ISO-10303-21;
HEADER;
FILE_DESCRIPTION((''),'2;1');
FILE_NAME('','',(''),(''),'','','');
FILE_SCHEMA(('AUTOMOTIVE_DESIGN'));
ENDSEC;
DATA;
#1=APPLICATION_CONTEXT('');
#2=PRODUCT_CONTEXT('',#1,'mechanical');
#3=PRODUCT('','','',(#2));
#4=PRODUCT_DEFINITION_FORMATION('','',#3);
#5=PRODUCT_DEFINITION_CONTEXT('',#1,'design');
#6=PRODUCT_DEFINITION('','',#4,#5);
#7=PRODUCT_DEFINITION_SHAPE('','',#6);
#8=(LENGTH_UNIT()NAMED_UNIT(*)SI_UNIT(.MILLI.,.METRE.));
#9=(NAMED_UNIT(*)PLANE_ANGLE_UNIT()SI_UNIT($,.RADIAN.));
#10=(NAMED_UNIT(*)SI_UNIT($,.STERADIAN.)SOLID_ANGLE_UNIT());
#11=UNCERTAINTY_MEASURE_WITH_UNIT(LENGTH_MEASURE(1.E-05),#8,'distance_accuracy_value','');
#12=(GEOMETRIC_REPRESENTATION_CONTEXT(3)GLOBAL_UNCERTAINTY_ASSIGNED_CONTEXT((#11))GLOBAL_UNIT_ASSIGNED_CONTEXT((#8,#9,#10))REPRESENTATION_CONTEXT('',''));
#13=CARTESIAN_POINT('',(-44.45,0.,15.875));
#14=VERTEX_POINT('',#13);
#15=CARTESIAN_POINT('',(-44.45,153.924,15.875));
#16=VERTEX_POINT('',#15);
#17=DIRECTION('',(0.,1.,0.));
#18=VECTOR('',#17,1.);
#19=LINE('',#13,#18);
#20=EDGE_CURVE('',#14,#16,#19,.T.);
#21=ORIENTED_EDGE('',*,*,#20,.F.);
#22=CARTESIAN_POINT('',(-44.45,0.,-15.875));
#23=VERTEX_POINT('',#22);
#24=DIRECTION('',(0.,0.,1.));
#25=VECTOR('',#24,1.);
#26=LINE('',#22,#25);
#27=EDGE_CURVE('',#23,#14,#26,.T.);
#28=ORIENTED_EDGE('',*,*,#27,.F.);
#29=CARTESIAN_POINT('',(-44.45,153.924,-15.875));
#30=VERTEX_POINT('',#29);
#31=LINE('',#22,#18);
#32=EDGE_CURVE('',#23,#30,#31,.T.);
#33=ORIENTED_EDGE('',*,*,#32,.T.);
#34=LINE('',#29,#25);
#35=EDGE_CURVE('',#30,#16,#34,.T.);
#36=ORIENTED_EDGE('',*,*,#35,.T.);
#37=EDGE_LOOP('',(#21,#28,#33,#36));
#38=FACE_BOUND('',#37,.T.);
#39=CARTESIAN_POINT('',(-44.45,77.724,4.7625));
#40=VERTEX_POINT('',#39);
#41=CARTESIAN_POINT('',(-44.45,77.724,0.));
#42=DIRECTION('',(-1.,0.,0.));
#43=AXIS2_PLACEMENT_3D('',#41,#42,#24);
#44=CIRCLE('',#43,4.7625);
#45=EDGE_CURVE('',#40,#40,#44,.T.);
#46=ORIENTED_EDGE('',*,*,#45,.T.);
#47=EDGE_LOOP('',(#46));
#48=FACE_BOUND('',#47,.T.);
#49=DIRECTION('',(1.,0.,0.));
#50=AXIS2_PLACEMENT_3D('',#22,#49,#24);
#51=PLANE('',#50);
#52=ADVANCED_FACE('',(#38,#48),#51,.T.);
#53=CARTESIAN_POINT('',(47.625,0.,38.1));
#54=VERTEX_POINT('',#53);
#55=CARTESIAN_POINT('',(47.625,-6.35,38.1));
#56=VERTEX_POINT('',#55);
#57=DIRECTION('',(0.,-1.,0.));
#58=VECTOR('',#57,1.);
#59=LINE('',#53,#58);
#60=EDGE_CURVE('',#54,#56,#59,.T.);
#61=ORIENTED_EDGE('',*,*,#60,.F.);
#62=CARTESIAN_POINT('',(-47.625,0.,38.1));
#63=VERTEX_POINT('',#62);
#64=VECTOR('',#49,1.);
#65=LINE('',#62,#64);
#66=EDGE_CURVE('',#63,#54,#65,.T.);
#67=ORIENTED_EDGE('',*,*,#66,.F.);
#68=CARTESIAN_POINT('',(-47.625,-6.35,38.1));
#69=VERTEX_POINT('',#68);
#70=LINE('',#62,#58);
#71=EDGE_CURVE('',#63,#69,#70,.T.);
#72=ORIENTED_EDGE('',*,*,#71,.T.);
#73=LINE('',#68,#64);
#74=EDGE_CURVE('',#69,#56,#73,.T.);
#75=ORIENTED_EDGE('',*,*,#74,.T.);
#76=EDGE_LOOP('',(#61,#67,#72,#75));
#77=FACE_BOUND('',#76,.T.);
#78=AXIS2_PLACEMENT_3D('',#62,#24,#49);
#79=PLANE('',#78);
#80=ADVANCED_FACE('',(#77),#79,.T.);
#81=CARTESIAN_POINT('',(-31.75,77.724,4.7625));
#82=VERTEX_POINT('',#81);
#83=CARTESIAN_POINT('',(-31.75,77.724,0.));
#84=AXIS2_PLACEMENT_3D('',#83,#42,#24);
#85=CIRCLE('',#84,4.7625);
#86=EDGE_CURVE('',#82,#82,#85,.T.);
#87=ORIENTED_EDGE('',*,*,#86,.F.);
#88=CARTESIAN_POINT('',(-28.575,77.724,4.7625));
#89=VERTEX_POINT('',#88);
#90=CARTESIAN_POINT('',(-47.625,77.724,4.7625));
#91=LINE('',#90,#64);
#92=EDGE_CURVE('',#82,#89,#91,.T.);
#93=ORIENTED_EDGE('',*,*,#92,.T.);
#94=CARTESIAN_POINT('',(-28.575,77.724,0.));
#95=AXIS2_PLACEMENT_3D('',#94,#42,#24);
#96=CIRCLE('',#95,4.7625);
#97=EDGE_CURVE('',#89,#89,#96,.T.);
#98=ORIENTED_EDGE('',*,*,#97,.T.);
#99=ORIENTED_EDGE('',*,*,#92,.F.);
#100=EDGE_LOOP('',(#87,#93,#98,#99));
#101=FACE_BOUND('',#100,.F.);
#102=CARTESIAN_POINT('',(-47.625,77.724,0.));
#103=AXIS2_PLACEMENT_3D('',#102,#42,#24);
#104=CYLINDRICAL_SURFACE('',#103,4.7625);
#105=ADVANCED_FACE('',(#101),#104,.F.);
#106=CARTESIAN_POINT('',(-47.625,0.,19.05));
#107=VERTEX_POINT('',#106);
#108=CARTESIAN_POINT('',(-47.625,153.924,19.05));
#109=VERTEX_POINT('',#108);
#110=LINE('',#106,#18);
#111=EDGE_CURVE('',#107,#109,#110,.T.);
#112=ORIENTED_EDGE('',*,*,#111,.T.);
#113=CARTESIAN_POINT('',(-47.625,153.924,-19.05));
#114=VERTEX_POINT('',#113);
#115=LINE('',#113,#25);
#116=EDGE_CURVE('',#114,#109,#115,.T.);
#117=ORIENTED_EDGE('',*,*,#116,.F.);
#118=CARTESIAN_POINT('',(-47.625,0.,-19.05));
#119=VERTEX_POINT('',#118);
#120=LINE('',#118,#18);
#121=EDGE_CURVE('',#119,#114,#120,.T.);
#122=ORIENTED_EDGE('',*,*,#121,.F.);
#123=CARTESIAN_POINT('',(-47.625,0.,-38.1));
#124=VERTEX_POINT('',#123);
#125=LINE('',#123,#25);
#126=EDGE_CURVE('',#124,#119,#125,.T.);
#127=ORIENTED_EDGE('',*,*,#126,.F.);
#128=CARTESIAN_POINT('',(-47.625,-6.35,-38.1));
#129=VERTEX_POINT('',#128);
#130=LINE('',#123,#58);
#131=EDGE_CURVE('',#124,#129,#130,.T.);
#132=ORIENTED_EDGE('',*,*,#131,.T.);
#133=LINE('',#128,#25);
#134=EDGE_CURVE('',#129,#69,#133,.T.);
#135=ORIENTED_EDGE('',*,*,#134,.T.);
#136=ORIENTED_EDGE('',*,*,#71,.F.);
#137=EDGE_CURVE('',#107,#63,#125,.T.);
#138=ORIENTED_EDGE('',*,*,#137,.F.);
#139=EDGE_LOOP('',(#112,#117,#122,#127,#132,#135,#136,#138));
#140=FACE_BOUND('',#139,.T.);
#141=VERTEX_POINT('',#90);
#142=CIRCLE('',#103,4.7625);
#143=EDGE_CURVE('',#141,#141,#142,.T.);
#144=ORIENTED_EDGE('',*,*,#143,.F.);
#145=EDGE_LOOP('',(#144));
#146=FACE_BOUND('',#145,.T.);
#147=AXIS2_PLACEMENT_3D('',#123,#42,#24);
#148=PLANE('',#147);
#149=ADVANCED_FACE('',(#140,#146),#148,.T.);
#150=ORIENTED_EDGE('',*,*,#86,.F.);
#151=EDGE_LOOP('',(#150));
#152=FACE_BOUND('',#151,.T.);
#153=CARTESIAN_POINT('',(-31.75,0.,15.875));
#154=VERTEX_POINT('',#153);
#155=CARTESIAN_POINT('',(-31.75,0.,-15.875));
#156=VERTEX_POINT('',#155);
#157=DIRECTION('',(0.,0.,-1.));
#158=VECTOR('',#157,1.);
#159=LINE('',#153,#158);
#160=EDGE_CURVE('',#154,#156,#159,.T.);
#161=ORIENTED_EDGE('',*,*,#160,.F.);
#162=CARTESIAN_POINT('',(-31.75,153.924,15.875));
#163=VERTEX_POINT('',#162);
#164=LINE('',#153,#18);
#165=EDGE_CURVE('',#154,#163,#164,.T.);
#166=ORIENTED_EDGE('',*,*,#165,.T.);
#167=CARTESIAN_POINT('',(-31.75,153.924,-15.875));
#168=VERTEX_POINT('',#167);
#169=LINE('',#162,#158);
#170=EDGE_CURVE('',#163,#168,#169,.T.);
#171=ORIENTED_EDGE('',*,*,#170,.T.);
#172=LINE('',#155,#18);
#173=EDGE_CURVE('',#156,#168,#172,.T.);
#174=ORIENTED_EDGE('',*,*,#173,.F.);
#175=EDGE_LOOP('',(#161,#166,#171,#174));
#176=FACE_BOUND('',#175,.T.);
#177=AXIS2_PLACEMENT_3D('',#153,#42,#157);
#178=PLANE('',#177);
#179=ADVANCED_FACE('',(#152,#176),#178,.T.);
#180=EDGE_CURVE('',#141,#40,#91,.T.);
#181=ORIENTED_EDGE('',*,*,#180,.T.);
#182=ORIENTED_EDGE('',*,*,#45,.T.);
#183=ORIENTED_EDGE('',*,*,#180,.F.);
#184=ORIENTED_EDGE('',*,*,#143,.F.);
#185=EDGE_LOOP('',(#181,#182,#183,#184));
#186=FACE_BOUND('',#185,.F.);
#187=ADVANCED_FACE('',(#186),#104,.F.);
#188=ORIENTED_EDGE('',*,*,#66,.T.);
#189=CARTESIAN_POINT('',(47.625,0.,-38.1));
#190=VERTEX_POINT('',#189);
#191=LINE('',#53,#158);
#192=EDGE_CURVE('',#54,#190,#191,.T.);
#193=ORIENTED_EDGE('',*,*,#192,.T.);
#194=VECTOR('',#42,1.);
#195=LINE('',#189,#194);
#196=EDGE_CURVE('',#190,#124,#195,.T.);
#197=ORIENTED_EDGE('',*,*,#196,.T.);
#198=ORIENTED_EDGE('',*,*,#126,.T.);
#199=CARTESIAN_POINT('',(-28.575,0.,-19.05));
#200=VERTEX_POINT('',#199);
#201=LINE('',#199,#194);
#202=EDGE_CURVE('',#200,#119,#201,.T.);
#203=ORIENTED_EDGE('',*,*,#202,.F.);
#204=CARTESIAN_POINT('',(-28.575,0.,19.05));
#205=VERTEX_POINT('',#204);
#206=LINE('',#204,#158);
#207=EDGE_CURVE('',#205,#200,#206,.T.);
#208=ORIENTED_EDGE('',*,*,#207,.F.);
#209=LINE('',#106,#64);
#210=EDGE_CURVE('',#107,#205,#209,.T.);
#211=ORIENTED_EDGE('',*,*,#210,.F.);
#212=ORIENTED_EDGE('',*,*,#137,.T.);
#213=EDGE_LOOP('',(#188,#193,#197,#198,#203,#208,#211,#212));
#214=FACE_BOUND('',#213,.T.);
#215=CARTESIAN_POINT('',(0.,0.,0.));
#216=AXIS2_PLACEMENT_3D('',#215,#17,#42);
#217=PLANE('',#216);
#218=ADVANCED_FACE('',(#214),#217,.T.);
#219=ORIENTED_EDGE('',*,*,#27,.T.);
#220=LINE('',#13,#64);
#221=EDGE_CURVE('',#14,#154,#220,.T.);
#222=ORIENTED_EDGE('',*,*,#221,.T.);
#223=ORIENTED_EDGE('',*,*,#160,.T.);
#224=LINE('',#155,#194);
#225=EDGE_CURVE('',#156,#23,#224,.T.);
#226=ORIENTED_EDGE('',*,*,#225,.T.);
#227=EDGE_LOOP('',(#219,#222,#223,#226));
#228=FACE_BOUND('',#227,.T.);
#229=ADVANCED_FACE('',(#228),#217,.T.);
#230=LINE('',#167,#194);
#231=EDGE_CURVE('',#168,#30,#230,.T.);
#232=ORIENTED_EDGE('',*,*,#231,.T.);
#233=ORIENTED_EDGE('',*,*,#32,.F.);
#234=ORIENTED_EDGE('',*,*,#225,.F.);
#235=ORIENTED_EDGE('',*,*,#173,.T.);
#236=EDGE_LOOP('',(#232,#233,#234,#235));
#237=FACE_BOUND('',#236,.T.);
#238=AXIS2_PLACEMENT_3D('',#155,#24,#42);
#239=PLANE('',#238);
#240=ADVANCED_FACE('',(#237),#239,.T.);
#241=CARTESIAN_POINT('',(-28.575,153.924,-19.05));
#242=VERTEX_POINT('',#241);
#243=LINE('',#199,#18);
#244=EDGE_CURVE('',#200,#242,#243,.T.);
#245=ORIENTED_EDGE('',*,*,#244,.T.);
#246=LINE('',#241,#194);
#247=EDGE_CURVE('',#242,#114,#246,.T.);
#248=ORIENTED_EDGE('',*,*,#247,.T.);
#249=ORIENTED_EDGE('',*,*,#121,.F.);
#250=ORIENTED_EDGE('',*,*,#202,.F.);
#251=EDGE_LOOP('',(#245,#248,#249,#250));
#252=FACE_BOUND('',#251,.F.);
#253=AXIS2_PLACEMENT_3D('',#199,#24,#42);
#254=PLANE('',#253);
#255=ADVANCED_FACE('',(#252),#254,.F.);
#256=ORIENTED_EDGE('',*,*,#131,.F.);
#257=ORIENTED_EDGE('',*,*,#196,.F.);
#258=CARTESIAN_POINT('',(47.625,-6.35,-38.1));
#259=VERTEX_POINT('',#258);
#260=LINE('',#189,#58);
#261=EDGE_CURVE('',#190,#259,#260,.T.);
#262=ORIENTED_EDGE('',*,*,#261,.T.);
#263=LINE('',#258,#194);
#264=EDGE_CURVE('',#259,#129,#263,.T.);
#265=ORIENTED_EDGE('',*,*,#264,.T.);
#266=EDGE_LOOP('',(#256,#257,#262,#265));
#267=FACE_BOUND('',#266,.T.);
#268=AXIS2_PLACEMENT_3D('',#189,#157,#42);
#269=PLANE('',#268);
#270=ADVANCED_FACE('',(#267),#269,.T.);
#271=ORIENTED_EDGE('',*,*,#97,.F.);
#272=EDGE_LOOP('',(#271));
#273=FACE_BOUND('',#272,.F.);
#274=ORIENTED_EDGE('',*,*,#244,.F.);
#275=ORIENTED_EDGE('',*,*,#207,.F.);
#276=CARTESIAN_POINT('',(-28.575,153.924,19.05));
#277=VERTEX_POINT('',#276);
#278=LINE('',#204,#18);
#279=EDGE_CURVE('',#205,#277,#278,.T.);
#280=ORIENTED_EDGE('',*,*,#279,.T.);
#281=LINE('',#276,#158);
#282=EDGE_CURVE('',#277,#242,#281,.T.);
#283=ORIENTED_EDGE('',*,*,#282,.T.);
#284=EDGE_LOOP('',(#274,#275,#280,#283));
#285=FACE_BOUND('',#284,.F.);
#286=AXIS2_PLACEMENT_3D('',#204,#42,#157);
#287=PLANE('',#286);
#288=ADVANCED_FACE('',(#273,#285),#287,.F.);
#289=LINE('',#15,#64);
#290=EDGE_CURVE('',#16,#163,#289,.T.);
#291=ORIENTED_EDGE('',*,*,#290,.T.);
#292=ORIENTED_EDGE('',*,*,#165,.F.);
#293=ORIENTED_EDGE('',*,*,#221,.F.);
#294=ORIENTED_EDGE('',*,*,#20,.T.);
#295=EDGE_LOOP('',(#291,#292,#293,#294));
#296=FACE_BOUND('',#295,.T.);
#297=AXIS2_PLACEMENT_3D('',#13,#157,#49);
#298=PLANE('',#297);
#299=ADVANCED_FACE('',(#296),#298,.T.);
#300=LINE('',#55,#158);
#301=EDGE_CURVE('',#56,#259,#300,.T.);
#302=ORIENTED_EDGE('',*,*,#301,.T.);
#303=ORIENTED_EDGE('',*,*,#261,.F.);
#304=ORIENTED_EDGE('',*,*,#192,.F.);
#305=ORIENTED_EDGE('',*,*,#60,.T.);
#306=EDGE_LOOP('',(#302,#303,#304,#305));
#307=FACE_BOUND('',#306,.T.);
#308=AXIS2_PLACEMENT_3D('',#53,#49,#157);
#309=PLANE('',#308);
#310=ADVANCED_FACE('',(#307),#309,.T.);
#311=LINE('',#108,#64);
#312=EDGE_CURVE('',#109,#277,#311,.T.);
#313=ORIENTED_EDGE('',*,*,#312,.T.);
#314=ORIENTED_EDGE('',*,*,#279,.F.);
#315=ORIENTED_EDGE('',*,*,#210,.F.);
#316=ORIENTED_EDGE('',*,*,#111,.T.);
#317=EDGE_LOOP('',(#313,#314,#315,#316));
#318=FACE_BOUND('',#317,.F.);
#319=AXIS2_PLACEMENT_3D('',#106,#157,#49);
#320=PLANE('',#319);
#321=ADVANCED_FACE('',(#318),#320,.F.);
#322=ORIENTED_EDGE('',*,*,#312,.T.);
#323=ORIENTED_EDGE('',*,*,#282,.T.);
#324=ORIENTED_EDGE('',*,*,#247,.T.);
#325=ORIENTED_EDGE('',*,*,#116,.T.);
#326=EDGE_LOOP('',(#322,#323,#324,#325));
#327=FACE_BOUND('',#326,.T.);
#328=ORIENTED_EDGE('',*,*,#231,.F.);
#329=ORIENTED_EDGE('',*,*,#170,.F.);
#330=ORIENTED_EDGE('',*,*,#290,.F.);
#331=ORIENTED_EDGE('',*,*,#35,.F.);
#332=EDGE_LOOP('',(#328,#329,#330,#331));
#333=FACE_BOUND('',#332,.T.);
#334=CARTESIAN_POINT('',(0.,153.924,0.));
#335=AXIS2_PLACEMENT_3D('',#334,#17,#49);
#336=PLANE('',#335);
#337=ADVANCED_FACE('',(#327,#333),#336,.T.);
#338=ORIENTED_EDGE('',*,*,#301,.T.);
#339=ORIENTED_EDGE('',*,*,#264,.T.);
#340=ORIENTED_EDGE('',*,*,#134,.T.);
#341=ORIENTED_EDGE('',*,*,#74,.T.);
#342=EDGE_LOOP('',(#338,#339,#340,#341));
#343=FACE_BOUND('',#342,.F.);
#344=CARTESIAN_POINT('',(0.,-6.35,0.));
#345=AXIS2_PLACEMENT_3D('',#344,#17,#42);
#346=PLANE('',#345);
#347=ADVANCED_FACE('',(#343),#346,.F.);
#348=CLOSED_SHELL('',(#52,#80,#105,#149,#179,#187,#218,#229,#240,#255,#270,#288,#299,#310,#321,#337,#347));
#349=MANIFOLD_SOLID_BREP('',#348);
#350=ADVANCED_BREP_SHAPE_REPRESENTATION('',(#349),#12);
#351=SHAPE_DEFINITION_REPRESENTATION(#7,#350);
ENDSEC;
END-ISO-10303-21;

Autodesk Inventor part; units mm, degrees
ref_plane "YZ Plane" through (0, 0, 0) normal (1, 0, 0) x (0, 1, 0)
ref_plane "XZ Plane" through (0, 0, 0) normal (0, 1, 0) x (-1, 0, 0)
ref_plane "XY Plane" through (0, 0, 0) normal (0, 0, 1) x (1, 0, 0)
sketch "Sketch1" plane through (0, 0, 0) normal (0, 1, 0) x (-1, 0, 0)
  line L0 (47.625, 38.1) -> (-47.625, 38.1)
  line L1 (-47.625, 38.1) -> (-47.625, -38.1)
  line L2 (-47.625, -38.1) -> (47.625, -38.1)
  line L3 (47.625, -38.1) -> (47.625, 38.1)
  line L4 (47.625, 38.1) -> (-47.625, -38.1) construction
  line L5 (-47.625, 38.1) -> (47.625, -38.1) construction
  point P0 (0, 0)
  dimension "d0" = 95.25
  dimension "d1" = 76.2
extrude "Extrusion1" add sketch "Sketch1" against normal blind 6.35
sketch "Sketch4" plane through (0, 0, 0) normal (0, 1, 0) x (1, 0, 0)
  line L0 (-47.625, -19.05) -> (-28.575, -19.05)
  line L1 (-28.575, -19.05) -> (-28.575, 19.05)
  line L2 (-28.575, 19.05) -> (-47.625, 19.05)
  line L3 (-47.625, 19.05) -> (-47.625, -19.05)
  line L4 (-47.625, -19.05) -> (-28.575, 19.05) construction
  line L5 (-28.575, -19.05) -> (-47.625, 19.05) construction
  line L6 (-47.625, 38.1) -> (-47.625, -38.1) projected
  line L7 (-44.45, -15.875) -> (-31.75, -15.875)
  line L8 (-31.75, -15.875) -> (-31.75, 15.875)
  line L9 (-31.75, 15.875) -> (-44.45, 15.875)
  line L10 (-44.45, 15.875) -> (-44.45, -15.875)
  line L11 (-44.45, -15.875) -> (-31.75, 15.875) construction
  line L12 (-31.75, -15.875) -> (-44.45, 15.875) construction
  point P0 (0, 0)
  point P1 (-38.1, 0)
  dimension "d8" = 0
  dimension "d9" = 38.1
  dimension "d10" = 19.05
  dimension "d11" = 3.175
  dimension "d12" = 3.175
extrude "Extrusion2" add sketch "Sketch4" along normal blind 153.924
sketch "Sketch5" plane through (-47.625, -6.35, -38.1) normal (-1, 0, 0) x (0, 0, 1)
  circle A0 centre (38.1, 84.074) radius 4.7625
  line L0 (19.05, 160.274) -> (57.15, 160.274) projected
  point P0 (38.1, 6.35)
  dimension "d15" = 9.525
  dimension "d16" = 76.2
extrude "Extrusion3" cut sketch "Sketch5" against normal through all
equation "\"d0\" = baseWidth"
equation "\"d1\" = baseLength"
equation "\"d2\" = baseThickness"
equation "\"d9\" = postLength"
equation "\"d10\" = postWidth"
equation "\"d11\" = postWallThickness"
equation "\"d12\" = postWallThickness"
equation "\"d13\" = postHeight"
equation "\"d15\" = postAxelDiam"
equation "\"d16\" = heightFromTopToAxelCenter"
equation "\"d17\" = postHeight"
equation "\"baseWidth\" = 95.25"
equation "\"baseLength\" = 76.2"
equation "\"baseThickness\" = 6.35"
equation "\"postWidth\" = 19.05"
equation "\"postLength\" = 38.1"
equation "\"postWallThickness\" = 3.175"
equation "\"postHeight\" = 153.924"
equation "\"postAxelDiam\" = 9.525"
equation "\"heightFromTopToAxelCenter\" = 76.2"
properties part number "BasePostForSideOfRobot"
